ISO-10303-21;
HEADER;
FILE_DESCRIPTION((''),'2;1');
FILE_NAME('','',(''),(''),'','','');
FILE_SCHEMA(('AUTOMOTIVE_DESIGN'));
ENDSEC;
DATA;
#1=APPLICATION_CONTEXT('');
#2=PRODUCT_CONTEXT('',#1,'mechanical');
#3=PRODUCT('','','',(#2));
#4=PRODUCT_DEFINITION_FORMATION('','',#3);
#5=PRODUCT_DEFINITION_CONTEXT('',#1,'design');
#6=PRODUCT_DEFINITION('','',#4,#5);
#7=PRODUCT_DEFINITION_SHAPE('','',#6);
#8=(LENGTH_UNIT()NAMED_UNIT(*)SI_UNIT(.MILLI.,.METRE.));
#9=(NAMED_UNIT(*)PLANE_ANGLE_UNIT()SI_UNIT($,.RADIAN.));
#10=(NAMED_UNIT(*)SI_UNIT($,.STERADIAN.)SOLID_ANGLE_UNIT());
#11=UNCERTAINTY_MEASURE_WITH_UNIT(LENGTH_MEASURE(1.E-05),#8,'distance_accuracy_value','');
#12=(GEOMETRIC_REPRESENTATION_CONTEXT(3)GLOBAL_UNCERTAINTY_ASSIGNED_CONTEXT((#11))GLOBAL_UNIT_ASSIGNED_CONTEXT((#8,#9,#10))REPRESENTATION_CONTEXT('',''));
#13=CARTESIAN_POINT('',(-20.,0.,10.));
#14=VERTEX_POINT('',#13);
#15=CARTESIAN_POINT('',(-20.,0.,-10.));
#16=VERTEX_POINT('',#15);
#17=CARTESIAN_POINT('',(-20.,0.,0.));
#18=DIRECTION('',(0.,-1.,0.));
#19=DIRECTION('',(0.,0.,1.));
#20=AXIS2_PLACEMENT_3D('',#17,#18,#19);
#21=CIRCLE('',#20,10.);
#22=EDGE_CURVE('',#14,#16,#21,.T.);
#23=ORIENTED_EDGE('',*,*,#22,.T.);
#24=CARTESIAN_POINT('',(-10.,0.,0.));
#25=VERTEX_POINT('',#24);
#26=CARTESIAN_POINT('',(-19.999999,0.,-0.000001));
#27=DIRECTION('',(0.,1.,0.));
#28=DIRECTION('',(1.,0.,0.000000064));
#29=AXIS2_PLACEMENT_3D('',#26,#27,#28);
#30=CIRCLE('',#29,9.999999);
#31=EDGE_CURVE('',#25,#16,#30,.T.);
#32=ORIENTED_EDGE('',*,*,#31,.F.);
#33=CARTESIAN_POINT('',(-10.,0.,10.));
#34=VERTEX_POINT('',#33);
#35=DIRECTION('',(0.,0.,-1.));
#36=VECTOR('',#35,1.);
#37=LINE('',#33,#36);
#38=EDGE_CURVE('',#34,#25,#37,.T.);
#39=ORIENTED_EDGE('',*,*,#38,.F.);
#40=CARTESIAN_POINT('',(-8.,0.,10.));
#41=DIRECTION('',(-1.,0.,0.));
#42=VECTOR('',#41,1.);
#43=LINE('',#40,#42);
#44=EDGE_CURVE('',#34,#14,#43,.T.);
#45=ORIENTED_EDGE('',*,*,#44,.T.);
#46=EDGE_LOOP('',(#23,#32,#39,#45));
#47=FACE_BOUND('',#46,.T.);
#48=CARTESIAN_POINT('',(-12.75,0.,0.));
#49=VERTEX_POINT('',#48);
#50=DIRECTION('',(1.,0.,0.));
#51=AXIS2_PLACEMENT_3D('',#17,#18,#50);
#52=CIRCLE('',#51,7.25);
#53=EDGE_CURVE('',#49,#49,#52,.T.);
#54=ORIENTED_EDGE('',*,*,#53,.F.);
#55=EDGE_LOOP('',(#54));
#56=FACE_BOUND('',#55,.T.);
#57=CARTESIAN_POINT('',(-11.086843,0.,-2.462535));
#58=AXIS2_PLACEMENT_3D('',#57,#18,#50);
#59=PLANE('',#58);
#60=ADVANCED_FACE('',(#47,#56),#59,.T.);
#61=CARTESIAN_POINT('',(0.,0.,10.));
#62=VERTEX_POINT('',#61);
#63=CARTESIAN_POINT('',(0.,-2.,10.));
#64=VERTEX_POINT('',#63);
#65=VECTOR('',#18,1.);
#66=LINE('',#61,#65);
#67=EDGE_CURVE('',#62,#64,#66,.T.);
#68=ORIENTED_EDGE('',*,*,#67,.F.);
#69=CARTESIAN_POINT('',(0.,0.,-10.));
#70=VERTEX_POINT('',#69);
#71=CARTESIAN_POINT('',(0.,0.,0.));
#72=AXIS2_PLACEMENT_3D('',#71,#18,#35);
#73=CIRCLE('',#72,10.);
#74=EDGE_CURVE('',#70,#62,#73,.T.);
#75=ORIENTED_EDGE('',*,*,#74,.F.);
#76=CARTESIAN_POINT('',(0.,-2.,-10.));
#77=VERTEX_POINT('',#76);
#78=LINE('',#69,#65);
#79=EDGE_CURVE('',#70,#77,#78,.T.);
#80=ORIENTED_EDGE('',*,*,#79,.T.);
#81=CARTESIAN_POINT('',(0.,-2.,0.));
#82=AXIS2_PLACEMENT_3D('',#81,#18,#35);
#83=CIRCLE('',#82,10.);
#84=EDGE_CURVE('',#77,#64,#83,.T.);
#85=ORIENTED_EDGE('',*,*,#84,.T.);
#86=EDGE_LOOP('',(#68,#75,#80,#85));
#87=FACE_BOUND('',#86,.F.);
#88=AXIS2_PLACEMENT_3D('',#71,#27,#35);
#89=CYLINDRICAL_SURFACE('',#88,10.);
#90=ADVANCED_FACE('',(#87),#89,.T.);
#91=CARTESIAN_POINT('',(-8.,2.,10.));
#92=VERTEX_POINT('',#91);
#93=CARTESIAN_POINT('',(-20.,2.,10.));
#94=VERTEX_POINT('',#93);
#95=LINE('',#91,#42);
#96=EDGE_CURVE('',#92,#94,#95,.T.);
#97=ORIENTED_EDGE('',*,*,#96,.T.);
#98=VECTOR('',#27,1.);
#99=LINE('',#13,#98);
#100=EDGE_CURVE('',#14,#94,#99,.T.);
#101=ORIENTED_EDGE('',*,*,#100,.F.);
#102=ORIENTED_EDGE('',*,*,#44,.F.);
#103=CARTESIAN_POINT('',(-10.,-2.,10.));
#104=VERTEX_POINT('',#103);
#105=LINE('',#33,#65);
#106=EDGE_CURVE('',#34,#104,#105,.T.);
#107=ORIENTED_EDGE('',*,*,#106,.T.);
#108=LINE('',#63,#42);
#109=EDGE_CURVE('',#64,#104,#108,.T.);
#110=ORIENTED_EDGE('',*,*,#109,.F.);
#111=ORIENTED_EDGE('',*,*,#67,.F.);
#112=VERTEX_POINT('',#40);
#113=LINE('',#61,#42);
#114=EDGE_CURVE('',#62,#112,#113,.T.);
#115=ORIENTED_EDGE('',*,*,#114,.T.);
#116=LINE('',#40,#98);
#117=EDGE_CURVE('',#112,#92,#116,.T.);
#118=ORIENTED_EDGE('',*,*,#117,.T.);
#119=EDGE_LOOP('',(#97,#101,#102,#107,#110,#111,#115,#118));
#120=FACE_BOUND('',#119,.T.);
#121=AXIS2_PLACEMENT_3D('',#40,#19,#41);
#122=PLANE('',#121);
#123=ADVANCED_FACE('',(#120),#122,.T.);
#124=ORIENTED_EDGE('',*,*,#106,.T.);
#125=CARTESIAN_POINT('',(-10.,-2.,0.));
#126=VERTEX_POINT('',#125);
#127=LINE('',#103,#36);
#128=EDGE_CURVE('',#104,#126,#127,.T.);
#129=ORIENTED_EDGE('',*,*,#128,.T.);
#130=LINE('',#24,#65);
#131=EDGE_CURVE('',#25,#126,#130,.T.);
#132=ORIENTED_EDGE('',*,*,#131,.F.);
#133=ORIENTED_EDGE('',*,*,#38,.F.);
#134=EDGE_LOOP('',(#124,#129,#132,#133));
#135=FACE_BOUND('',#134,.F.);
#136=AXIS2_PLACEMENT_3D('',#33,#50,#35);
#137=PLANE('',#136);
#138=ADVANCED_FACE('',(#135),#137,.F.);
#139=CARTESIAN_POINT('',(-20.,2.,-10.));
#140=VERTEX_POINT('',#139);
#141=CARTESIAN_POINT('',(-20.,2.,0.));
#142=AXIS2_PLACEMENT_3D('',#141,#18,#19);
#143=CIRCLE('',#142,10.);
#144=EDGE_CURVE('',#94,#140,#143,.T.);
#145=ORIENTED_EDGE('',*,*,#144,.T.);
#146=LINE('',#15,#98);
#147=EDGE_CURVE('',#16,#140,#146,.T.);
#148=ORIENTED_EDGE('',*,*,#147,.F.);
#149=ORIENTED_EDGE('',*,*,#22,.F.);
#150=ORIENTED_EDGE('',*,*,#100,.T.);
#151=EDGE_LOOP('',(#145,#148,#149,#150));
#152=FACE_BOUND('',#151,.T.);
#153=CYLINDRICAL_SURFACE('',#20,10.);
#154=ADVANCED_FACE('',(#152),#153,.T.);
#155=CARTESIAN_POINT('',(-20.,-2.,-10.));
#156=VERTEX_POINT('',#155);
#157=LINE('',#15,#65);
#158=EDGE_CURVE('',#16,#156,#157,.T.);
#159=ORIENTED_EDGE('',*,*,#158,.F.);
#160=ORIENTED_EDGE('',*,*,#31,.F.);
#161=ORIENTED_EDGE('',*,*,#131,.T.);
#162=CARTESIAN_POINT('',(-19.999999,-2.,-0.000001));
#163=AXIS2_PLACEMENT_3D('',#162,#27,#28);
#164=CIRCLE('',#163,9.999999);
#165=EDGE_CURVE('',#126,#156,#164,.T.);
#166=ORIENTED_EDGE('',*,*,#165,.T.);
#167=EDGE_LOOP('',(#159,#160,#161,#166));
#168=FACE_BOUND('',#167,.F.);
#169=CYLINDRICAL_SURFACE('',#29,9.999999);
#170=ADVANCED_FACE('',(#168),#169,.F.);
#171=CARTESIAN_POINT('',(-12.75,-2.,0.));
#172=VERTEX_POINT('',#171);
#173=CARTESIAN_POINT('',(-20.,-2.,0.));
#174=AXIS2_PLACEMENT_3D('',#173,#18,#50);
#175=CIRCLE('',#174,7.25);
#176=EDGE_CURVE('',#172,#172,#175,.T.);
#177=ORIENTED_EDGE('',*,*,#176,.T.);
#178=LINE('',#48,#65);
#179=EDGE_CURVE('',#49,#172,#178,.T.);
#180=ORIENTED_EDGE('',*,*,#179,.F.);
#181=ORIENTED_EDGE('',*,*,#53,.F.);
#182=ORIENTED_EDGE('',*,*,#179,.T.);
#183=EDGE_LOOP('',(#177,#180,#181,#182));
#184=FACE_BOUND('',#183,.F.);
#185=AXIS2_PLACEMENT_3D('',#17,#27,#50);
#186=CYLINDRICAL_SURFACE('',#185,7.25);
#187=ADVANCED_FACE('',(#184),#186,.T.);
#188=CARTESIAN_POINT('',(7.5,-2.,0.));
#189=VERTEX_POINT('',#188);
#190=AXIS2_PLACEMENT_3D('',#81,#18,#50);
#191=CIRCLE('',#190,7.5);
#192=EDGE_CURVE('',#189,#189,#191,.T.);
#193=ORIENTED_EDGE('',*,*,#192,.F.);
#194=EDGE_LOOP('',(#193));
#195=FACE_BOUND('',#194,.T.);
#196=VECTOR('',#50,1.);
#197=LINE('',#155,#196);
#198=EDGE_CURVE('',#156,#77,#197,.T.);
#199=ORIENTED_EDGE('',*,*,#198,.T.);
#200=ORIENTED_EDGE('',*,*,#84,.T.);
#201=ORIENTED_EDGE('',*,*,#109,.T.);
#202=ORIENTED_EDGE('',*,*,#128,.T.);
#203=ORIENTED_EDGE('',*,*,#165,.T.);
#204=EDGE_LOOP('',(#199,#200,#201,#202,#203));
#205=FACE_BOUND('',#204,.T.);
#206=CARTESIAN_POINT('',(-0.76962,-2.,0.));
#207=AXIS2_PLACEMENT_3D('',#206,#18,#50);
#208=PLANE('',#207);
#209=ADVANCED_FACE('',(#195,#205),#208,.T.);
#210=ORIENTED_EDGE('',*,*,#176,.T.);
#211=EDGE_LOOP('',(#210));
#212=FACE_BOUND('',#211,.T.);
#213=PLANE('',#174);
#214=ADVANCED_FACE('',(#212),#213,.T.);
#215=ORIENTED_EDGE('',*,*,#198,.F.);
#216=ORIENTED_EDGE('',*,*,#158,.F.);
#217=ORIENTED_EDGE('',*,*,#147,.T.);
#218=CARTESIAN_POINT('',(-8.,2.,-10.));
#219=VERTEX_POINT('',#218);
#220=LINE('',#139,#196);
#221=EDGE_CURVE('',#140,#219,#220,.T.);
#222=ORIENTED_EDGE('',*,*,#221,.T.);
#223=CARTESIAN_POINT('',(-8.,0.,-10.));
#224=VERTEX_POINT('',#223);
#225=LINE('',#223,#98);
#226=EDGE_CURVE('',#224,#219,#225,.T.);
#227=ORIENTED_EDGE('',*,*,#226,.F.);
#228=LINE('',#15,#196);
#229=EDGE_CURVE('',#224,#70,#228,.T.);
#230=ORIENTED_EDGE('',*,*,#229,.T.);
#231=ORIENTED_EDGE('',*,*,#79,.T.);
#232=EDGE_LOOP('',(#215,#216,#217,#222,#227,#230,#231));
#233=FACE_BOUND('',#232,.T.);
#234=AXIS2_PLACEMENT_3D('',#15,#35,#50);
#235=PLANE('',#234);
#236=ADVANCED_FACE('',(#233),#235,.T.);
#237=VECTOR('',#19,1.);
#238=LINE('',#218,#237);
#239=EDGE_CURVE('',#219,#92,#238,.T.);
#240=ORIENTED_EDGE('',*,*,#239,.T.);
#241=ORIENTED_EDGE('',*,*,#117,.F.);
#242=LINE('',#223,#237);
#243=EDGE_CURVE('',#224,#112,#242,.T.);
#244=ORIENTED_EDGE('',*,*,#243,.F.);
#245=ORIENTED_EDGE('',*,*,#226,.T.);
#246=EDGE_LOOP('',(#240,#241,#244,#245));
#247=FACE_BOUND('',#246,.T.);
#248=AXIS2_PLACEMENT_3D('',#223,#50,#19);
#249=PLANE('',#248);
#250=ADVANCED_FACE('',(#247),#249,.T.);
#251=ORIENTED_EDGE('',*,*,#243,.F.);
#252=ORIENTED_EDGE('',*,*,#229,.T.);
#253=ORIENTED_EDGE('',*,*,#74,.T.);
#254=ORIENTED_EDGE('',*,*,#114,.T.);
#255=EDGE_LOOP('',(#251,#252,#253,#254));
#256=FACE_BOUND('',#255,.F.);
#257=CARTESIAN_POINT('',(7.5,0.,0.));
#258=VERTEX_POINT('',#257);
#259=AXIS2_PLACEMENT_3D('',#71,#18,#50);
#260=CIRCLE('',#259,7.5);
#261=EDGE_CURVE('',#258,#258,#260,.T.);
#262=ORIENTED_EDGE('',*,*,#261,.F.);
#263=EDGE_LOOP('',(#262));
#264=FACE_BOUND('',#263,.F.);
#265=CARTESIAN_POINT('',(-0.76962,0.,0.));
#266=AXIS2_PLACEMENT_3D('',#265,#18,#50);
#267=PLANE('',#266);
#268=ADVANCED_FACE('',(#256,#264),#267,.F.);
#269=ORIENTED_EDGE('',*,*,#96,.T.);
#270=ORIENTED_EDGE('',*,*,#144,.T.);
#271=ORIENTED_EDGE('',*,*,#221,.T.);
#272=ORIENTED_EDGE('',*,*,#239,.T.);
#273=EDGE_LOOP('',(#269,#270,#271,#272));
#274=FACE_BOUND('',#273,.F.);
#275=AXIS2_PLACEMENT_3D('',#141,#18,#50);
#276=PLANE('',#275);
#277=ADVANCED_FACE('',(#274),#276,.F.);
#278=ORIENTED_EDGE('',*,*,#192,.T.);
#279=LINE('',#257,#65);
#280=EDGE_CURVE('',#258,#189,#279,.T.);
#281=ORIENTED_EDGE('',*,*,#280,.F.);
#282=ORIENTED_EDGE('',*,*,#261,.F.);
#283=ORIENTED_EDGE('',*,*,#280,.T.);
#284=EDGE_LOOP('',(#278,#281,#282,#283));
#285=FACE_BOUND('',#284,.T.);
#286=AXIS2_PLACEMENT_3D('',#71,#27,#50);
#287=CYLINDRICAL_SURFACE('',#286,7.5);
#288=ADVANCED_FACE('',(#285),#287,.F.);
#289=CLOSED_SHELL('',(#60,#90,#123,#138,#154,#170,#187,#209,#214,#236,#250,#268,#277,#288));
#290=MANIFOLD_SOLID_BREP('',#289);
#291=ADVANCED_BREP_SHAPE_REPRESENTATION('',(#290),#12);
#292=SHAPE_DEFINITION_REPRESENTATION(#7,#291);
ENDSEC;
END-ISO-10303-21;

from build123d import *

# Parameters (mm, degrees)
F0_R          = 7.5
F1_DEPTH      = 2
F0_R_2        = 7.25
F2_DEPTH      = 2
F3_DEPTH      = 2
F3_DEPTH_BACK = 2


with BuildPart() as f1:
    # F0 (on Front) → F1 (new body)
    with BuildSketch(Plane.XZ):
        with BuildLine():
            Line((-8, 10), (-8, -10))
            Line((-8, -10), (0, -10))
            ThreePointArc((0, -10), (10, 0), (0, 10))
            Line((0, 10), (-8, 10))
        make_face()
        Circle(F0_R, mode=Mode.SUBTRACT)
        with BuildLine():
            Line((-10, 10), (-10, 0))
            ThreePointArc((-10, 0), (-12.928932, -7.071068), (-20, -10))
            Line((-20, -10), (-8, -10))
            Line((-8, -10), (-8, 10))
            Line((-8, 10), (-10, 10))
        make_face()
    extrude(amount=F1_DEPTH)

    # F0 (on Front) → F2 (join)
    with BuildSketch(Plane.XZ):
        with BuildLine():
            Line((-10, 10), (-10, 0))
            ThreePointArc((-10, 0), (-12.928932, -7.071068), (-20, -10))
            Line((-20, -10), (-8, -10))
            Line((-8, -10), (-8, 10))
            Line((-8, 10), (-10, 10))
        make_face()
        with BuildLine():
            ThreePointArc((-20, -10), (-12.928932, -7.071068), (-10, 0))
            Line((-10, 0), (-10, 10))
            Line((-10, 10), (-20, 10))
            ThreePointArc((-20, 10), (-30, 0), (-20, -10))
        make_face()
        with Locations((-20, 0)):
            Circle(F0_R_2, mode=Mode.SUBTRACT)
    extrude(amount=-F2_DEPTH)

    # F0 (on Front) → F3 (join, two sides)
    with BuildSketch(Plane.XZ) as f3_sk:
        with Locations((-20, 0)):
            Circle(F0_R_2)
    extrude(amount=F3_DEPTH)
    extrude(f3_sk.sketch, amount=-F3_DEPTH_BACK)


solid = f1.part
